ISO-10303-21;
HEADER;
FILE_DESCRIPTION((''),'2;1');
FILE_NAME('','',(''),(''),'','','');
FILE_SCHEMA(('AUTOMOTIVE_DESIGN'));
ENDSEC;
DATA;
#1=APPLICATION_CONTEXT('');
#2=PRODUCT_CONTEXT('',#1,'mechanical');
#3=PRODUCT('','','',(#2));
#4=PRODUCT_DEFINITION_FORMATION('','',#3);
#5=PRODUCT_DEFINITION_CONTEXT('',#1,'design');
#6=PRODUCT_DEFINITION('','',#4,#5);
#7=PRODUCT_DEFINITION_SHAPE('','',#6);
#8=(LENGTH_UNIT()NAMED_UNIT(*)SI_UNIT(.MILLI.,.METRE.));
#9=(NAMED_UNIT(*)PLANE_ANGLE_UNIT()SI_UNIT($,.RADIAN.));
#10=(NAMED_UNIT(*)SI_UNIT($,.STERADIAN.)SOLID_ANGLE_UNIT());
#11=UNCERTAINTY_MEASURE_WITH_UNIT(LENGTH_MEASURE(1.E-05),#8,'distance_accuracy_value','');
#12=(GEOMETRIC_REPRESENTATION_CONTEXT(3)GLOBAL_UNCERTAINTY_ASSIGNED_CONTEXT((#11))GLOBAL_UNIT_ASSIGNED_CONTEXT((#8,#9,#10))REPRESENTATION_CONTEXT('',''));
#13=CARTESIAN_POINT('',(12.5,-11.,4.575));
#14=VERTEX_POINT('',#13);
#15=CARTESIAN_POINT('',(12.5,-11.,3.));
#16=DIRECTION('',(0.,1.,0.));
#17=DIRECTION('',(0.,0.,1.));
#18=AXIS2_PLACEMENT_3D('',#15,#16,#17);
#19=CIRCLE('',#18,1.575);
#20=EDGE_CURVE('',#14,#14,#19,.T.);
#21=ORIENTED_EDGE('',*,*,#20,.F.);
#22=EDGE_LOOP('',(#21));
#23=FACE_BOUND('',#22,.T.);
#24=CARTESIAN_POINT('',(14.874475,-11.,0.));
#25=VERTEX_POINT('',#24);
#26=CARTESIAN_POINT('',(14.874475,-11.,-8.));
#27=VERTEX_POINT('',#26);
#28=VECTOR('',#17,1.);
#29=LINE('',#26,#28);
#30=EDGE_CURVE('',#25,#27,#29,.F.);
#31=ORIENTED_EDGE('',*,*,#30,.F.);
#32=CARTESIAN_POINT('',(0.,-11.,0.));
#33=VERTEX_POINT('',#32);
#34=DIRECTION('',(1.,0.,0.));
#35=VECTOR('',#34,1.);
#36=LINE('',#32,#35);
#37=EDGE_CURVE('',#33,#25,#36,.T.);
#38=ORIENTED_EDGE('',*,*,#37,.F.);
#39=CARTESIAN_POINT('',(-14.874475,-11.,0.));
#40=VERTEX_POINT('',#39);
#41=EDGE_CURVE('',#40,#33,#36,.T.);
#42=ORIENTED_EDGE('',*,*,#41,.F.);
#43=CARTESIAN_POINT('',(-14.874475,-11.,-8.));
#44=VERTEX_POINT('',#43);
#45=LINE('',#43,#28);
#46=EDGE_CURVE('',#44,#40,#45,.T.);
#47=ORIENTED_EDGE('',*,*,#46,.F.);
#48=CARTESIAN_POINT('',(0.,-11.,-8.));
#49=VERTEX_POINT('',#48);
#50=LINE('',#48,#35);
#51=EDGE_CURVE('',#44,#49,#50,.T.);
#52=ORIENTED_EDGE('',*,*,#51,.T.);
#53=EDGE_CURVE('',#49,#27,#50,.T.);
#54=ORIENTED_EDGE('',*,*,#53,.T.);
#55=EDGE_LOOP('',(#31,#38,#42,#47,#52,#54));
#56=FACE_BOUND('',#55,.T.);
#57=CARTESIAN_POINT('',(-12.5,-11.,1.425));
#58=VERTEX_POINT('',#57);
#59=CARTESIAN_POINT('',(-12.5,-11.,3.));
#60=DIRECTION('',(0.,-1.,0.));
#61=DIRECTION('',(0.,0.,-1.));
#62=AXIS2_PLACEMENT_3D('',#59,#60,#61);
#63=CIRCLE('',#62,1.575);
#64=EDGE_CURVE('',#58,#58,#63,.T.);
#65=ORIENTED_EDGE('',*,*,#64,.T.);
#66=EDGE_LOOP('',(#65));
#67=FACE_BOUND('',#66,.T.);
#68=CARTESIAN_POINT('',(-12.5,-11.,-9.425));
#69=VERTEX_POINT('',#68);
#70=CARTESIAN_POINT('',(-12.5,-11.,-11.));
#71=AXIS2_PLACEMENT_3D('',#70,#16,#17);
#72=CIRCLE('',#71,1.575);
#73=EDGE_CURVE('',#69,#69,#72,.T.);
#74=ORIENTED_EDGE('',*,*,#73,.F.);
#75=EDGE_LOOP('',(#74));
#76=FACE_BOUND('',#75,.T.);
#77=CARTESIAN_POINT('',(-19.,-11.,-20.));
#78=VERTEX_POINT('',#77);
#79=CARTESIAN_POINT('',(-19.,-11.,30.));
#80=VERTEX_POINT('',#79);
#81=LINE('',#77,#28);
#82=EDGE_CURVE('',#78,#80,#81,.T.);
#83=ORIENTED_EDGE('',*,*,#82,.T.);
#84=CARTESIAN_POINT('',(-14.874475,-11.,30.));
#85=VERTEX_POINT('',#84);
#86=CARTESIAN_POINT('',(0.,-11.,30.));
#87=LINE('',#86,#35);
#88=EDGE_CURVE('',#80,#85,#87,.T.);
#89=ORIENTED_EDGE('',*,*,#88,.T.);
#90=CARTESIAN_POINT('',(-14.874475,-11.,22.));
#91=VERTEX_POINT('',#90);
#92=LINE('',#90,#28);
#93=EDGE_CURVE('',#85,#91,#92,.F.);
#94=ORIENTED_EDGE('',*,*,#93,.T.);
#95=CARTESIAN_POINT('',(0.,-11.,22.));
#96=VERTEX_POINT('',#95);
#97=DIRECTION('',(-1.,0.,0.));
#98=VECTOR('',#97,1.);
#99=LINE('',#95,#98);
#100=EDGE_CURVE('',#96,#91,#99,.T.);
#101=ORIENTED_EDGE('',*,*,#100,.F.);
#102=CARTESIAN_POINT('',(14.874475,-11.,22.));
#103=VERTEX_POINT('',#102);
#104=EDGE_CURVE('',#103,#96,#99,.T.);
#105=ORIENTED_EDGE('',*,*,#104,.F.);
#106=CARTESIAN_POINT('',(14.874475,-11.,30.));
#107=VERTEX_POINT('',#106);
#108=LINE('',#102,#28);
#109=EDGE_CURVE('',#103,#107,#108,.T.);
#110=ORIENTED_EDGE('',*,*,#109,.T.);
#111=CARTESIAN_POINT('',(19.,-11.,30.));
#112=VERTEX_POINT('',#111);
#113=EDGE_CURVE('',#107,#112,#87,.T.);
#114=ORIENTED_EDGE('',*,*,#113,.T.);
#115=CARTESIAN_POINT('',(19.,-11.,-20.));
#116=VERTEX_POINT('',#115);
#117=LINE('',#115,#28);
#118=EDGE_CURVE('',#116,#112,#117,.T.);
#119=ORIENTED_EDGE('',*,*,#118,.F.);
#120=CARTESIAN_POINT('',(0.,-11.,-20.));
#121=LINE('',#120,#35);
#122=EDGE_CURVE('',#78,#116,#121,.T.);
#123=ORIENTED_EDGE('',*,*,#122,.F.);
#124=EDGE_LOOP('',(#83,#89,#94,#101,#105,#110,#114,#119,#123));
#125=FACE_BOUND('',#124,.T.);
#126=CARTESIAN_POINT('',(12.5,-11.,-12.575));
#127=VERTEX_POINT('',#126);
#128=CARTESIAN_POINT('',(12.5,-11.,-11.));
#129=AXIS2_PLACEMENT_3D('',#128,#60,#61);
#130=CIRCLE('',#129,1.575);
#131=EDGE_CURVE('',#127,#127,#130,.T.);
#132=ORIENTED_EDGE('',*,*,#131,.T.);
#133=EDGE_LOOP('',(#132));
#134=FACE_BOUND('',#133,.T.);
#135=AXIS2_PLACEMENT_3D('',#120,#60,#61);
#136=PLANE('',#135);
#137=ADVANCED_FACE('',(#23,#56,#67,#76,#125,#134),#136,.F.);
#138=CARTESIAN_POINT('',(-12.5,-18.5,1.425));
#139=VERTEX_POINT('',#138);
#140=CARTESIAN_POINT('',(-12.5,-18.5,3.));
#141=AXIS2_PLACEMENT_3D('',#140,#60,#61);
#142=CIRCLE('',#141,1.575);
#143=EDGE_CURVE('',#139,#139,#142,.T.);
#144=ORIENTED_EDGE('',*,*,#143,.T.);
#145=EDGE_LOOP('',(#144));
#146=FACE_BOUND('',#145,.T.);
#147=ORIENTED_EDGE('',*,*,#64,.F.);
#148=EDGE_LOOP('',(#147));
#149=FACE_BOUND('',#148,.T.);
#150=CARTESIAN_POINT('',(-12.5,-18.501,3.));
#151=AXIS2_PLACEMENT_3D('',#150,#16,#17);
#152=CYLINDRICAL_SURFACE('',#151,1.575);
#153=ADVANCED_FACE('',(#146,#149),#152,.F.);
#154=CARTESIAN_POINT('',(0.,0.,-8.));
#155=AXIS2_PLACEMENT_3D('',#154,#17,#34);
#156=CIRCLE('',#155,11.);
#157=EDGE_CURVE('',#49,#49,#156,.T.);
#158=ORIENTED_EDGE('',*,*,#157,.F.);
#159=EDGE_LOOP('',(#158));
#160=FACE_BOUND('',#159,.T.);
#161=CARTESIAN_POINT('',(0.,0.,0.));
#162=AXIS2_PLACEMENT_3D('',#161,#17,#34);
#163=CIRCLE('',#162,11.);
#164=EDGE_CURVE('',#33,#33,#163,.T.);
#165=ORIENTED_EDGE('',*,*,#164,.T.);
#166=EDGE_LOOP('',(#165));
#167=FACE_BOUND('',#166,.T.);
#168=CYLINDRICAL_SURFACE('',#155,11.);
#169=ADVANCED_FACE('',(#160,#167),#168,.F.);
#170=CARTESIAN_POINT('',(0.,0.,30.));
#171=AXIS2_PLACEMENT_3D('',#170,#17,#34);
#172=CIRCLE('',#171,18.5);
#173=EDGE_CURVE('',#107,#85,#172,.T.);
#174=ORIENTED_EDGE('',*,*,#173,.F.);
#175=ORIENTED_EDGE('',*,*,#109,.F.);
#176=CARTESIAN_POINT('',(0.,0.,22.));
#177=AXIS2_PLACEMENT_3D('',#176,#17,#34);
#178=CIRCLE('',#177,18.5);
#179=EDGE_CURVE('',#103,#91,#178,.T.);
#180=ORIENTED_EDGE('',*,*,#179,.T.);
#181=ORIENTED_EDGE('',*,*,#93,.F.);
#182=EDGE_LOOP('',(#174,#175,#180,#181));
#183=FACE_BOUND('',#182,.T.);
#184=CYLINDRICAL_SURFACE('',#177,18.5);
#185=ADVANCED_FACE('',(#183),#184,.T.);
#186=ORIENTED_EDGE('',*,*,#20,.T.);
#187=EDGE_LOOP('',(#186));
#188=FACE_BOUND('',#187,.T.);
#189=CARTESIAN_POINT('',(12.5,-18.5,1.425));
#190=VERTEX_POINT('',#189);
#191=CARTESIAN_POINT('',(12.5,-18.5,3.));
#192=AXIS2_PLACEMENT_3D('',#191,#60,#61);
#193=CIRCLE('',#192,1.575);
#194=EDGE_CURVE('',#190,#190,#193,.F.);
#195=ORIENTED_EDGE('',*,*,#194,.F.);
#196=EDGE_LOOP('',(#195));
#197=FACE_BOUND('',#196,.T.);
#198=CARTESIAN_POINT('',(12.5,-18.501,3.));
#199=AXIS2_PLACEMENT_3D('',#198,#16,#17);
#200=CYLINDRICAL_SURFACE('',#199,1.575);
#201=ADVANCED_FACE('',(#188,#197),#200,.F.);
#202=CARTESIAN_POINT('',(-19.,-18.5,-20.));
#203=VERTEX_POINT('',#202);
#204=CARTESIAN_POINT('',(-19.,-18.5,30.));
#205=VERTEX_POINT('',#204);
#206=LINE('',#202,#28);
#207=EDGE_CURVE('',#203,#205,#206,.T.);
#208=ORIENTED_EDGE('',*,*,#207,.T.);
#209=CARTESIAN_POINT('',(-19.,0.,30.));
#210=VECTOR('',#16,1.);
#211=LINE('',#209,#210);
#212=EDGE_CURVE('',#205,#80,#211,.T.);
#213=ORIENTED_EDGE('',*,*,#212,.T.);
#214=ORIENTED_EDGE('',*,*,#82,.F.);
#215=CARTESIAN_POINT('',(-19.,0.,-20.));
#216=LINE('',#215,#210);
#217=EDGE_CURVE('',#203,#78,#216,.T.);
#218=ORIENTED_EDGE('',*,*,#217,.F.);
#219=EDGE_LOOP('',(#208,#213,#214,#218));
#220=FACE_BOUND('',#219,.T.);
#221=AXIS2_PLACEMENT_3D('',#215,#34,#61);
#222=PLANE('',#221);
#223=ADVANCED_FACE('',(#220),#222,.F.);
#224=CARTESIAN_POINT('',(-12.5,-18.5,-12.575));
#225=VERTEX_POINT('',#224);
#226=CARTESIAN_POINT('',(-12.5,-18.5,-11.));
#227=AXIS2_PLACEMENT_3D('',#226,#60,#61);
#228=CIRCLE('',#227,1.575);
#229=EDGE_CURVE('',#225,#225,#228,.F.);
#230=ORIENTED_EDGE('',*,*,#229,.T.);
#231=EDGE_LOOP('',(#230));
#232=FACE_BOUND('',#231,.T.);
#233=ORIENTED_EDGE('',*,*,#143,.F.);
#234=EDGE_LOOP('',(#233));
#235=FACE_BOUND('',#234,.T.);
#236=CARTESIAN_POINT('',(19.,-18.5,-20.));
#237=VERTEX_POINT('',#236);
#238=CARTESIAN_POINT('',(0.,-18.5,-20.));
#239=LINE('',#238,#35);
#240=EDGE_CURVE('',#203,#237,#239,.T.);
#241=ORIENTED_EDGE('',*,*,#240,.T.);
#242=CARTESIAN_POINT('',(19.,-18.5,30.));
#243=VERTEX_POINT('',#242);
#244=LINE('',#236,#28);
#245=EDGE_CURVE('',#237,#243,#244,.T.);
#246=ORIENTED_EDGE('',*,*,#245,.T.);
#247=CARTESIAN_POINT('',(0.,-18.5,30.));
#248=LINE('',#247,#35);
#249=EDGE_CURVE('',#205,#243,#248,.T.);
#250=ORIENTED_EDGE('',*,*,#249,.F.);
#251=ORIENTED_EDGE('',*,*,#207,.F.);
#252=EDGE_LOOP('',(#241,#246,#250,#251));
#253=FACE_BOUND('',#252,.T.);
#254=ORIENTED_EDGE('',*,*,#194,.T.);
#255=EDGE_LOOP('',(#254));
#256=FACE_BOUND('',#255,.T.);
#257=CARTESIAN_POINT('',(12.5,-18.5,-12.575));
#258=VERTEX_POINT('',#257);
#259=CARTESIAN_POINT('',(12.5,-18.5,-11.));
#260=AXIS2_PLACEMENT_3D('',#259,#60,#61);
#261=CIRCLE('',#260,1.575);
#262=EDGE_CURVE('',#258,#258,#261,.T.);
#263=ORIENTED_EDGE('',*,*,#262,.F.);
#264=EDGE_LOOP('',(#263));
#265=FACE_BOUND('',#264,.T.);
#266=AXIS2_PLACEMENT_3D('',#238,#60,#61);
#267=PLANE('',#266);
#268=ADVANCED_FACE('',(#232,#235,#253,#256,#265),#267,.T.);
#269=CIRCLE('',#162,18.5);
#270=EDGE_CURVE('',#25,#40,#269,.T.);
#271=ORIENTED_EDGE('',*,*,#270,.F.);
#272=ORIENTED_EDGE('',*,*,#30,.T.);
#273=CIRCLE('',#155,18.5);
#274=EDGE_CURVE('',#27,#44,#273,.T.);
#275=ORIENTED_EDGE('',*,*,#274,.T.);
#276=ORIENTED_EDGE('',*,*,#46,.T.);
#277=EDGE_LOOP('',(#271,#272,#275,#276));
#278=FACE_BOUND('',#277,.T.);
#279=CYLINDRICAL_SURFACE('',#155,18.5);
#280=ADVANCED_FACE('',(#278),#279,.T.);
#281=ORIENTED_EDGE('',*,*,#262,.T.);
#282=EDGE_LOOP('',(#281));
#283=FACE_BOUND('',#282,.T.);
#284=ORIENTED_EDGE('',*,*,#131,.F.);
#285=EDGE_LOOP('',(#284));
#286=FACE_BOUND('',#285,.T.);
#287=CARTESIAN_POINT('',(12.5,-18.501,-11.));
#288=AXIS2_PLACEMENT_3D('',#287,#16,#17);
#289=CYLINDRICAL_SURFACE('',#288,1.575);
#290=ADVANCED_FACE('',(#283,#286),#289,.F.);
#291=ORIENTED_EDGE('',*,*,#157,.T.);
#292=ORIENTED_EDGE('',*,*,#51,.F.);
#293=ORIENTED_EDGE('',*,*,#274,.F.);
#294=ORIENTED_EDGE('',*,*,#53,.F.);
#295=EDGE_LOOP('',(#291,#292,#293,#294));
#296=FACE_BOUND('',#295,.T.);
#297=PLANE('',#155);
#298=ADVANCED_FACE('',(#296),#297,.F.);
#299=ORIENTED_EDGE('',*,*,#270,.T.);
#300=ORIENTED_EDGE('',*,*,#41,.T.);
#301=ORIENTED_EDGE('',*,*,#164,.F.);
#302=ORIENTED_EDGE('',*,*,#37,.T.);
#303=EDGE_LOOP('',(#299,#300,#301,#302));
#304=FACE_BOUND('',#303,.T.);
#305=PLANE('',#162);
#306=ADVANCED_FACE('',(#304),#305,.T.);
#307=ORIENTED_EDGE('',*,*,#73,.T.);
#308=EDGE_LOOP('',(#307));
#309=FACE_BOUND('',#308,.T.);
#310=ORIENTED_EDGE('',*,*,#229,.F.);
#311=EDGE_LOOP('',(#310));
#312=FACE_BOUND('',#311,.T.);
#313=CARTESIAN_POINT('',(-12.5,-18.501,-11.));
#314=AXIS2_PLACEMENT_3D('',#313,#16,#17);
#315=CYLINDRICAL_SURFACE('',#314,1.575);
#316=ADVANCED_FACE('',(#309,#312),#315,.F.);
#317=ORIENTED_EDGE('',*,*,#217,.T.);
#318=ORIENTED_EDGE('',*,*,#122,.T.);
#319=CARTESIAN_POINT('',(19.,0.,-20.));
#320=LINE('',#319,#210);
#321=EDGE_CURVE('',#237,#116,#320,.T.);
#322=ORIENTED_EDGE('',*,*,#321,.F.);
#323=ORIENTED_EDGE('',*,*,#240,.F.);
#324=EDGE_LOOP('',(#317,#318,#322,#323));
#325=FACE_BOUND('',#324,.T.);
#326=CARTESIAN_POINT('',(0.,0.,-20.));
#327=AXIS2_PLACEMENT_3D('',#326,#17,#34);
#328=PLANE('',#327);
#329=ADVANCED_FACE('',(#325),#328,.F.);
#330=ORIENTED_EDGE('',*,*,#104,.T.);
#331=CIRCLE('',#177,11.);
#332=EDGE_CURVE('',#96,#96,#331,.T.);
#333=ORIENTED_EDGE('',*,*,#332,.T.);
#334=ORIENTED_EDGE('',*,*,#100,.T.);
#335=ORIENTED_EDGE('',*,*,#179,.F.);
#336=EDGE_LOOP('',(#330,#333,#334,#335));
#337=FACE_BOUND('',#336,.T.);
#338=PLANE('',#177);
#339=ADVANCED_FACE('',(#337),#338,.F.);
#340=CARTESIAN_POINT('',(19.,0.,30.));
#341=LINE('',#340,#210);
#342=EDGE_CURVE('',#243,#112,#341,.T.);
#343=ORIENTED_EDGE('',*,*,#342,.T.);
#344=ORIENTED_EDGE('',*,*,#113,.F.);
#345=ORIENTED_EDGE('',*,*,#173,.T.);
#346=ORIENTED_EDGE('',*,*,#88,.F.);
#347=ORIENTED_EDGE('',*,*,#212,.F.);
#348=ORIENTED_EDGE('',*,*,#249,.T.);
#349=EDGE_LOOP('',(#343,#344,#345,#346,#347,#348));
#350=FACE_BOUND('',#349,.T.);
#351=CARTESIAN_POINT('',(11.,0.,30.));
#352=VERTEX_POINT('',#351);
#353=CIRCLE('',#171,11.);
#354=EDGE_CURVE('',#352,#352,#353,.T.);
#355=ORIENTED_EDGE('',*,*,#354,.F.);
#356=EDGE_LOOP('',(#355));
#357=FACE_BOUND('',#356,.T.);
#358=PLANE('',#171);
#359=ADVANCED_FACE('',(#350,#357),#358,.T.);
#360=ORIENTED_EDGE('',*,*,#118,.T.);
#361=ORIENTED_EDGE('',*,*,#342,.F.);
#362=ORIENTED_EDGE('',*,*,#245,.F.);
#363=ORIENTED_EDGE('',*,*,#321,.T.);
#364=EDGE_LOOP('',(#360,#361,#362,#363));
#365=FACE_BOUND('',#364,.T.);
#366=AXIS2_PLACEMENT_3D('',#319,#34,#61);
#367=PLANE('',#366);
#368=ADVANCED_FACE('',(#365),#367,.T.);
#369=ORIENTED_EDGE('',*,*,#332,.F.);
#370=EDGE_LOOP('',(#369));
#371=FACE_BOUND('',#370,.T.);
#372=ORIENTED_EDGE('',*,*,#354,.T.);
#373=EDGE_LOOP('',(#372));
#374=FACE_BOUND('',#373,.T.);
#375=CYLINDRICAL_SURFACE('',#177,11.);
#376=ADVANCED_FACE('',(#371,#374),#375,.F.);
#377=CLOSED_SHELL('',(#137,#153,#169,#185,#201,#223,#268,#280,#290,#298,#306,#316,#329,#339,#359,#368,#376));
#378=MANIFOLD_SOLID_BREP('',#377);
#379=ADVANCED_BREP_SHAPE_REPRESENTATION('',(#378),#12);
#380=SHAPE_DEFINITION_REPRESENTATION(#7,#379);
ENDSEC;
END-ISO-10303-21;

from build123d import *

# Parameters (mm, degrees)
ESQUISSE1_R                = 18.5
ESQUISSE1_R_2              = 11
BOSS_EXTRU_19_DEPTH        = 8
BOSS_EXTRU_20_DEPTH        = 30
BOSS_EXTRU_20_DEPTH_BACK   = 20
ESQUISSE1_5_W              = 38
ESQUISSE1_5_H              = 7.5
R_P_TITION_LIN_AIRE1_COUNT = 2
R_P_TITION_LIN_AIRE1_PITCH = 30
ENL_V_MAT_EXTRU_1_REACH    = 48.165
ESQUISSE8_R                = 1.575


with BuildPart() as part:
    # Esquisse1 → Boss.-Extru.19 (new body)
    with BuildSketch(Plane.XY):
        Circle(ESQUISSE1_R)
        Circle(ESQUISSE1_R_2, mode=Mode.SUBTRACT)
    boss_extru_19 = extrude(amount=-BOSS_EXTRU_19_DEPTH)

    # Esquisse1<5> → Boss.-Extru.20 (add, two sides: drawn at the far end of the back side and taken through both)
    with BuildSketch(Plane.XY.offset(-BOSS_EXTRU_20_DEPTH_BACK)):
        with Locations((0, -14.75)):
            Rectangle(ESQUISSE1_5_W, ESQUISSE1_5_H)
    extrude(amount=BOSS_EXTRU_20_DEPTH + BOSS_EXTRU_20_DEPTH_BACK)

    # Répétition linéaire1: Boss.-Extru.19 ×2
    with Locations(*[(0, 0, i * R_P_TITION_LIN_AIRE1_PITCH) for i in range(1, R_P_TITION_LIN_AIRE1_COUNT)]):
        add(boss_extru_19)

    # Esquisse8 → Enlèv. mat.-Extru.1 (cut, up to next)
    with BuildSketch(Plane(origin=(0, -11, 0), x_dir=(1, 0, 0), z_dir=(0, 1, 0)), mode=Mode.PRIVATE) as enl_v_mat_extru_1_sk1:
        with Locations((-12.5, 11)):
            Circle(ESQUISSE8_R)
    enl_v_mat_extru_1_tool1 = extrude(enl_v_mat_extru_1_sk1.sketch, amount=-ENL_V_MAT_EXTRU_1_REACH, mode=Mode.PRIVATE) & part.part
    # Esquisse8 → Enlèv. mat.-Extru.1 (cut, up to next)
    with BuildSketch(Plane(origin=(0, -11, 0), x_dir=(1, 0, 0), z_dir=(0, 1, 0)), mode=Mode.PRIVATE) as enl_v_mat_extru_1_sk2:
        with Locations((12.5, 11)):
            Circle(ESQUISSE8_R)
    enl_v_mat_extru_1_tool2 = extrude(enl_v_mat_extru_1_sk2.sketch, amount=-ENL_V_MAT_EXTRU_1_REACH, mode=Mode.PRIVATE) & part.part
    # Esquisse8 → Enlèv. mat.-Extru.1 (cut, up to next)
    with BuildSketch(Plane(origin=(0, -11, 0), x_dir=(1, 0, 0), z_dir=(0, 1, 0)), mode=Mode.PRIVATE) as enl_v_mat_extru_1_sk3:
        with Locations((12.5, -3)):
            Circle(ESQUISSE8_R)
    enl_v_mat_extru_1_tool3 = extrude(enl_v_mat_extru_1_sk3.sketch, amount=-ENL_V_MAT_EXTRU_1_REACH, mode=Mode.PRIVATE) & part.part
    # Esquisse8 → Enlèv. mat.-Extru.1 (cut, up to next)
    with BuildSketch(Plane(origin=(0, -11, 0), x_dir=(1, 0, 0), z_dir=(0, 1, 0)), mode=Mode.PRIVATE) as enl_v_mat_extru_1_sk4:
        with Locations((-12.5, -3)):
            Circle(ESQUISSE8_R)
    enl_v_mat_extru_1_tool4 = extrude(enl_v_mat_extru_1_sk4.sketch, amount=-ENL_V_MAT_EXTRU_1_REACH, mode=Mode.PRIVATE) & part.part
    add(enl_v_mat_extru_1_tool1.solids().sort_by_distance((-12.5, -11, -11))[0], mode=Mode.SUBTRACT)
    add(enl_v_mat_extru_1_tool2.solids().sort_by_distance((12.5, -11, -11))[0], mode=Mode.SUBTRACT)
    add(enl_v_mat_extru_1_tool3.solids().sort_by_distance((12.5, -11, 3))[0], mode=Mode.SUBTRACT)
    add(enl_v_mat_extru_1_tool4.solids().sort_by_distance((-12.5, -11, 3))[0], mode=Mode.SUBTRACT)


solid = part.part
